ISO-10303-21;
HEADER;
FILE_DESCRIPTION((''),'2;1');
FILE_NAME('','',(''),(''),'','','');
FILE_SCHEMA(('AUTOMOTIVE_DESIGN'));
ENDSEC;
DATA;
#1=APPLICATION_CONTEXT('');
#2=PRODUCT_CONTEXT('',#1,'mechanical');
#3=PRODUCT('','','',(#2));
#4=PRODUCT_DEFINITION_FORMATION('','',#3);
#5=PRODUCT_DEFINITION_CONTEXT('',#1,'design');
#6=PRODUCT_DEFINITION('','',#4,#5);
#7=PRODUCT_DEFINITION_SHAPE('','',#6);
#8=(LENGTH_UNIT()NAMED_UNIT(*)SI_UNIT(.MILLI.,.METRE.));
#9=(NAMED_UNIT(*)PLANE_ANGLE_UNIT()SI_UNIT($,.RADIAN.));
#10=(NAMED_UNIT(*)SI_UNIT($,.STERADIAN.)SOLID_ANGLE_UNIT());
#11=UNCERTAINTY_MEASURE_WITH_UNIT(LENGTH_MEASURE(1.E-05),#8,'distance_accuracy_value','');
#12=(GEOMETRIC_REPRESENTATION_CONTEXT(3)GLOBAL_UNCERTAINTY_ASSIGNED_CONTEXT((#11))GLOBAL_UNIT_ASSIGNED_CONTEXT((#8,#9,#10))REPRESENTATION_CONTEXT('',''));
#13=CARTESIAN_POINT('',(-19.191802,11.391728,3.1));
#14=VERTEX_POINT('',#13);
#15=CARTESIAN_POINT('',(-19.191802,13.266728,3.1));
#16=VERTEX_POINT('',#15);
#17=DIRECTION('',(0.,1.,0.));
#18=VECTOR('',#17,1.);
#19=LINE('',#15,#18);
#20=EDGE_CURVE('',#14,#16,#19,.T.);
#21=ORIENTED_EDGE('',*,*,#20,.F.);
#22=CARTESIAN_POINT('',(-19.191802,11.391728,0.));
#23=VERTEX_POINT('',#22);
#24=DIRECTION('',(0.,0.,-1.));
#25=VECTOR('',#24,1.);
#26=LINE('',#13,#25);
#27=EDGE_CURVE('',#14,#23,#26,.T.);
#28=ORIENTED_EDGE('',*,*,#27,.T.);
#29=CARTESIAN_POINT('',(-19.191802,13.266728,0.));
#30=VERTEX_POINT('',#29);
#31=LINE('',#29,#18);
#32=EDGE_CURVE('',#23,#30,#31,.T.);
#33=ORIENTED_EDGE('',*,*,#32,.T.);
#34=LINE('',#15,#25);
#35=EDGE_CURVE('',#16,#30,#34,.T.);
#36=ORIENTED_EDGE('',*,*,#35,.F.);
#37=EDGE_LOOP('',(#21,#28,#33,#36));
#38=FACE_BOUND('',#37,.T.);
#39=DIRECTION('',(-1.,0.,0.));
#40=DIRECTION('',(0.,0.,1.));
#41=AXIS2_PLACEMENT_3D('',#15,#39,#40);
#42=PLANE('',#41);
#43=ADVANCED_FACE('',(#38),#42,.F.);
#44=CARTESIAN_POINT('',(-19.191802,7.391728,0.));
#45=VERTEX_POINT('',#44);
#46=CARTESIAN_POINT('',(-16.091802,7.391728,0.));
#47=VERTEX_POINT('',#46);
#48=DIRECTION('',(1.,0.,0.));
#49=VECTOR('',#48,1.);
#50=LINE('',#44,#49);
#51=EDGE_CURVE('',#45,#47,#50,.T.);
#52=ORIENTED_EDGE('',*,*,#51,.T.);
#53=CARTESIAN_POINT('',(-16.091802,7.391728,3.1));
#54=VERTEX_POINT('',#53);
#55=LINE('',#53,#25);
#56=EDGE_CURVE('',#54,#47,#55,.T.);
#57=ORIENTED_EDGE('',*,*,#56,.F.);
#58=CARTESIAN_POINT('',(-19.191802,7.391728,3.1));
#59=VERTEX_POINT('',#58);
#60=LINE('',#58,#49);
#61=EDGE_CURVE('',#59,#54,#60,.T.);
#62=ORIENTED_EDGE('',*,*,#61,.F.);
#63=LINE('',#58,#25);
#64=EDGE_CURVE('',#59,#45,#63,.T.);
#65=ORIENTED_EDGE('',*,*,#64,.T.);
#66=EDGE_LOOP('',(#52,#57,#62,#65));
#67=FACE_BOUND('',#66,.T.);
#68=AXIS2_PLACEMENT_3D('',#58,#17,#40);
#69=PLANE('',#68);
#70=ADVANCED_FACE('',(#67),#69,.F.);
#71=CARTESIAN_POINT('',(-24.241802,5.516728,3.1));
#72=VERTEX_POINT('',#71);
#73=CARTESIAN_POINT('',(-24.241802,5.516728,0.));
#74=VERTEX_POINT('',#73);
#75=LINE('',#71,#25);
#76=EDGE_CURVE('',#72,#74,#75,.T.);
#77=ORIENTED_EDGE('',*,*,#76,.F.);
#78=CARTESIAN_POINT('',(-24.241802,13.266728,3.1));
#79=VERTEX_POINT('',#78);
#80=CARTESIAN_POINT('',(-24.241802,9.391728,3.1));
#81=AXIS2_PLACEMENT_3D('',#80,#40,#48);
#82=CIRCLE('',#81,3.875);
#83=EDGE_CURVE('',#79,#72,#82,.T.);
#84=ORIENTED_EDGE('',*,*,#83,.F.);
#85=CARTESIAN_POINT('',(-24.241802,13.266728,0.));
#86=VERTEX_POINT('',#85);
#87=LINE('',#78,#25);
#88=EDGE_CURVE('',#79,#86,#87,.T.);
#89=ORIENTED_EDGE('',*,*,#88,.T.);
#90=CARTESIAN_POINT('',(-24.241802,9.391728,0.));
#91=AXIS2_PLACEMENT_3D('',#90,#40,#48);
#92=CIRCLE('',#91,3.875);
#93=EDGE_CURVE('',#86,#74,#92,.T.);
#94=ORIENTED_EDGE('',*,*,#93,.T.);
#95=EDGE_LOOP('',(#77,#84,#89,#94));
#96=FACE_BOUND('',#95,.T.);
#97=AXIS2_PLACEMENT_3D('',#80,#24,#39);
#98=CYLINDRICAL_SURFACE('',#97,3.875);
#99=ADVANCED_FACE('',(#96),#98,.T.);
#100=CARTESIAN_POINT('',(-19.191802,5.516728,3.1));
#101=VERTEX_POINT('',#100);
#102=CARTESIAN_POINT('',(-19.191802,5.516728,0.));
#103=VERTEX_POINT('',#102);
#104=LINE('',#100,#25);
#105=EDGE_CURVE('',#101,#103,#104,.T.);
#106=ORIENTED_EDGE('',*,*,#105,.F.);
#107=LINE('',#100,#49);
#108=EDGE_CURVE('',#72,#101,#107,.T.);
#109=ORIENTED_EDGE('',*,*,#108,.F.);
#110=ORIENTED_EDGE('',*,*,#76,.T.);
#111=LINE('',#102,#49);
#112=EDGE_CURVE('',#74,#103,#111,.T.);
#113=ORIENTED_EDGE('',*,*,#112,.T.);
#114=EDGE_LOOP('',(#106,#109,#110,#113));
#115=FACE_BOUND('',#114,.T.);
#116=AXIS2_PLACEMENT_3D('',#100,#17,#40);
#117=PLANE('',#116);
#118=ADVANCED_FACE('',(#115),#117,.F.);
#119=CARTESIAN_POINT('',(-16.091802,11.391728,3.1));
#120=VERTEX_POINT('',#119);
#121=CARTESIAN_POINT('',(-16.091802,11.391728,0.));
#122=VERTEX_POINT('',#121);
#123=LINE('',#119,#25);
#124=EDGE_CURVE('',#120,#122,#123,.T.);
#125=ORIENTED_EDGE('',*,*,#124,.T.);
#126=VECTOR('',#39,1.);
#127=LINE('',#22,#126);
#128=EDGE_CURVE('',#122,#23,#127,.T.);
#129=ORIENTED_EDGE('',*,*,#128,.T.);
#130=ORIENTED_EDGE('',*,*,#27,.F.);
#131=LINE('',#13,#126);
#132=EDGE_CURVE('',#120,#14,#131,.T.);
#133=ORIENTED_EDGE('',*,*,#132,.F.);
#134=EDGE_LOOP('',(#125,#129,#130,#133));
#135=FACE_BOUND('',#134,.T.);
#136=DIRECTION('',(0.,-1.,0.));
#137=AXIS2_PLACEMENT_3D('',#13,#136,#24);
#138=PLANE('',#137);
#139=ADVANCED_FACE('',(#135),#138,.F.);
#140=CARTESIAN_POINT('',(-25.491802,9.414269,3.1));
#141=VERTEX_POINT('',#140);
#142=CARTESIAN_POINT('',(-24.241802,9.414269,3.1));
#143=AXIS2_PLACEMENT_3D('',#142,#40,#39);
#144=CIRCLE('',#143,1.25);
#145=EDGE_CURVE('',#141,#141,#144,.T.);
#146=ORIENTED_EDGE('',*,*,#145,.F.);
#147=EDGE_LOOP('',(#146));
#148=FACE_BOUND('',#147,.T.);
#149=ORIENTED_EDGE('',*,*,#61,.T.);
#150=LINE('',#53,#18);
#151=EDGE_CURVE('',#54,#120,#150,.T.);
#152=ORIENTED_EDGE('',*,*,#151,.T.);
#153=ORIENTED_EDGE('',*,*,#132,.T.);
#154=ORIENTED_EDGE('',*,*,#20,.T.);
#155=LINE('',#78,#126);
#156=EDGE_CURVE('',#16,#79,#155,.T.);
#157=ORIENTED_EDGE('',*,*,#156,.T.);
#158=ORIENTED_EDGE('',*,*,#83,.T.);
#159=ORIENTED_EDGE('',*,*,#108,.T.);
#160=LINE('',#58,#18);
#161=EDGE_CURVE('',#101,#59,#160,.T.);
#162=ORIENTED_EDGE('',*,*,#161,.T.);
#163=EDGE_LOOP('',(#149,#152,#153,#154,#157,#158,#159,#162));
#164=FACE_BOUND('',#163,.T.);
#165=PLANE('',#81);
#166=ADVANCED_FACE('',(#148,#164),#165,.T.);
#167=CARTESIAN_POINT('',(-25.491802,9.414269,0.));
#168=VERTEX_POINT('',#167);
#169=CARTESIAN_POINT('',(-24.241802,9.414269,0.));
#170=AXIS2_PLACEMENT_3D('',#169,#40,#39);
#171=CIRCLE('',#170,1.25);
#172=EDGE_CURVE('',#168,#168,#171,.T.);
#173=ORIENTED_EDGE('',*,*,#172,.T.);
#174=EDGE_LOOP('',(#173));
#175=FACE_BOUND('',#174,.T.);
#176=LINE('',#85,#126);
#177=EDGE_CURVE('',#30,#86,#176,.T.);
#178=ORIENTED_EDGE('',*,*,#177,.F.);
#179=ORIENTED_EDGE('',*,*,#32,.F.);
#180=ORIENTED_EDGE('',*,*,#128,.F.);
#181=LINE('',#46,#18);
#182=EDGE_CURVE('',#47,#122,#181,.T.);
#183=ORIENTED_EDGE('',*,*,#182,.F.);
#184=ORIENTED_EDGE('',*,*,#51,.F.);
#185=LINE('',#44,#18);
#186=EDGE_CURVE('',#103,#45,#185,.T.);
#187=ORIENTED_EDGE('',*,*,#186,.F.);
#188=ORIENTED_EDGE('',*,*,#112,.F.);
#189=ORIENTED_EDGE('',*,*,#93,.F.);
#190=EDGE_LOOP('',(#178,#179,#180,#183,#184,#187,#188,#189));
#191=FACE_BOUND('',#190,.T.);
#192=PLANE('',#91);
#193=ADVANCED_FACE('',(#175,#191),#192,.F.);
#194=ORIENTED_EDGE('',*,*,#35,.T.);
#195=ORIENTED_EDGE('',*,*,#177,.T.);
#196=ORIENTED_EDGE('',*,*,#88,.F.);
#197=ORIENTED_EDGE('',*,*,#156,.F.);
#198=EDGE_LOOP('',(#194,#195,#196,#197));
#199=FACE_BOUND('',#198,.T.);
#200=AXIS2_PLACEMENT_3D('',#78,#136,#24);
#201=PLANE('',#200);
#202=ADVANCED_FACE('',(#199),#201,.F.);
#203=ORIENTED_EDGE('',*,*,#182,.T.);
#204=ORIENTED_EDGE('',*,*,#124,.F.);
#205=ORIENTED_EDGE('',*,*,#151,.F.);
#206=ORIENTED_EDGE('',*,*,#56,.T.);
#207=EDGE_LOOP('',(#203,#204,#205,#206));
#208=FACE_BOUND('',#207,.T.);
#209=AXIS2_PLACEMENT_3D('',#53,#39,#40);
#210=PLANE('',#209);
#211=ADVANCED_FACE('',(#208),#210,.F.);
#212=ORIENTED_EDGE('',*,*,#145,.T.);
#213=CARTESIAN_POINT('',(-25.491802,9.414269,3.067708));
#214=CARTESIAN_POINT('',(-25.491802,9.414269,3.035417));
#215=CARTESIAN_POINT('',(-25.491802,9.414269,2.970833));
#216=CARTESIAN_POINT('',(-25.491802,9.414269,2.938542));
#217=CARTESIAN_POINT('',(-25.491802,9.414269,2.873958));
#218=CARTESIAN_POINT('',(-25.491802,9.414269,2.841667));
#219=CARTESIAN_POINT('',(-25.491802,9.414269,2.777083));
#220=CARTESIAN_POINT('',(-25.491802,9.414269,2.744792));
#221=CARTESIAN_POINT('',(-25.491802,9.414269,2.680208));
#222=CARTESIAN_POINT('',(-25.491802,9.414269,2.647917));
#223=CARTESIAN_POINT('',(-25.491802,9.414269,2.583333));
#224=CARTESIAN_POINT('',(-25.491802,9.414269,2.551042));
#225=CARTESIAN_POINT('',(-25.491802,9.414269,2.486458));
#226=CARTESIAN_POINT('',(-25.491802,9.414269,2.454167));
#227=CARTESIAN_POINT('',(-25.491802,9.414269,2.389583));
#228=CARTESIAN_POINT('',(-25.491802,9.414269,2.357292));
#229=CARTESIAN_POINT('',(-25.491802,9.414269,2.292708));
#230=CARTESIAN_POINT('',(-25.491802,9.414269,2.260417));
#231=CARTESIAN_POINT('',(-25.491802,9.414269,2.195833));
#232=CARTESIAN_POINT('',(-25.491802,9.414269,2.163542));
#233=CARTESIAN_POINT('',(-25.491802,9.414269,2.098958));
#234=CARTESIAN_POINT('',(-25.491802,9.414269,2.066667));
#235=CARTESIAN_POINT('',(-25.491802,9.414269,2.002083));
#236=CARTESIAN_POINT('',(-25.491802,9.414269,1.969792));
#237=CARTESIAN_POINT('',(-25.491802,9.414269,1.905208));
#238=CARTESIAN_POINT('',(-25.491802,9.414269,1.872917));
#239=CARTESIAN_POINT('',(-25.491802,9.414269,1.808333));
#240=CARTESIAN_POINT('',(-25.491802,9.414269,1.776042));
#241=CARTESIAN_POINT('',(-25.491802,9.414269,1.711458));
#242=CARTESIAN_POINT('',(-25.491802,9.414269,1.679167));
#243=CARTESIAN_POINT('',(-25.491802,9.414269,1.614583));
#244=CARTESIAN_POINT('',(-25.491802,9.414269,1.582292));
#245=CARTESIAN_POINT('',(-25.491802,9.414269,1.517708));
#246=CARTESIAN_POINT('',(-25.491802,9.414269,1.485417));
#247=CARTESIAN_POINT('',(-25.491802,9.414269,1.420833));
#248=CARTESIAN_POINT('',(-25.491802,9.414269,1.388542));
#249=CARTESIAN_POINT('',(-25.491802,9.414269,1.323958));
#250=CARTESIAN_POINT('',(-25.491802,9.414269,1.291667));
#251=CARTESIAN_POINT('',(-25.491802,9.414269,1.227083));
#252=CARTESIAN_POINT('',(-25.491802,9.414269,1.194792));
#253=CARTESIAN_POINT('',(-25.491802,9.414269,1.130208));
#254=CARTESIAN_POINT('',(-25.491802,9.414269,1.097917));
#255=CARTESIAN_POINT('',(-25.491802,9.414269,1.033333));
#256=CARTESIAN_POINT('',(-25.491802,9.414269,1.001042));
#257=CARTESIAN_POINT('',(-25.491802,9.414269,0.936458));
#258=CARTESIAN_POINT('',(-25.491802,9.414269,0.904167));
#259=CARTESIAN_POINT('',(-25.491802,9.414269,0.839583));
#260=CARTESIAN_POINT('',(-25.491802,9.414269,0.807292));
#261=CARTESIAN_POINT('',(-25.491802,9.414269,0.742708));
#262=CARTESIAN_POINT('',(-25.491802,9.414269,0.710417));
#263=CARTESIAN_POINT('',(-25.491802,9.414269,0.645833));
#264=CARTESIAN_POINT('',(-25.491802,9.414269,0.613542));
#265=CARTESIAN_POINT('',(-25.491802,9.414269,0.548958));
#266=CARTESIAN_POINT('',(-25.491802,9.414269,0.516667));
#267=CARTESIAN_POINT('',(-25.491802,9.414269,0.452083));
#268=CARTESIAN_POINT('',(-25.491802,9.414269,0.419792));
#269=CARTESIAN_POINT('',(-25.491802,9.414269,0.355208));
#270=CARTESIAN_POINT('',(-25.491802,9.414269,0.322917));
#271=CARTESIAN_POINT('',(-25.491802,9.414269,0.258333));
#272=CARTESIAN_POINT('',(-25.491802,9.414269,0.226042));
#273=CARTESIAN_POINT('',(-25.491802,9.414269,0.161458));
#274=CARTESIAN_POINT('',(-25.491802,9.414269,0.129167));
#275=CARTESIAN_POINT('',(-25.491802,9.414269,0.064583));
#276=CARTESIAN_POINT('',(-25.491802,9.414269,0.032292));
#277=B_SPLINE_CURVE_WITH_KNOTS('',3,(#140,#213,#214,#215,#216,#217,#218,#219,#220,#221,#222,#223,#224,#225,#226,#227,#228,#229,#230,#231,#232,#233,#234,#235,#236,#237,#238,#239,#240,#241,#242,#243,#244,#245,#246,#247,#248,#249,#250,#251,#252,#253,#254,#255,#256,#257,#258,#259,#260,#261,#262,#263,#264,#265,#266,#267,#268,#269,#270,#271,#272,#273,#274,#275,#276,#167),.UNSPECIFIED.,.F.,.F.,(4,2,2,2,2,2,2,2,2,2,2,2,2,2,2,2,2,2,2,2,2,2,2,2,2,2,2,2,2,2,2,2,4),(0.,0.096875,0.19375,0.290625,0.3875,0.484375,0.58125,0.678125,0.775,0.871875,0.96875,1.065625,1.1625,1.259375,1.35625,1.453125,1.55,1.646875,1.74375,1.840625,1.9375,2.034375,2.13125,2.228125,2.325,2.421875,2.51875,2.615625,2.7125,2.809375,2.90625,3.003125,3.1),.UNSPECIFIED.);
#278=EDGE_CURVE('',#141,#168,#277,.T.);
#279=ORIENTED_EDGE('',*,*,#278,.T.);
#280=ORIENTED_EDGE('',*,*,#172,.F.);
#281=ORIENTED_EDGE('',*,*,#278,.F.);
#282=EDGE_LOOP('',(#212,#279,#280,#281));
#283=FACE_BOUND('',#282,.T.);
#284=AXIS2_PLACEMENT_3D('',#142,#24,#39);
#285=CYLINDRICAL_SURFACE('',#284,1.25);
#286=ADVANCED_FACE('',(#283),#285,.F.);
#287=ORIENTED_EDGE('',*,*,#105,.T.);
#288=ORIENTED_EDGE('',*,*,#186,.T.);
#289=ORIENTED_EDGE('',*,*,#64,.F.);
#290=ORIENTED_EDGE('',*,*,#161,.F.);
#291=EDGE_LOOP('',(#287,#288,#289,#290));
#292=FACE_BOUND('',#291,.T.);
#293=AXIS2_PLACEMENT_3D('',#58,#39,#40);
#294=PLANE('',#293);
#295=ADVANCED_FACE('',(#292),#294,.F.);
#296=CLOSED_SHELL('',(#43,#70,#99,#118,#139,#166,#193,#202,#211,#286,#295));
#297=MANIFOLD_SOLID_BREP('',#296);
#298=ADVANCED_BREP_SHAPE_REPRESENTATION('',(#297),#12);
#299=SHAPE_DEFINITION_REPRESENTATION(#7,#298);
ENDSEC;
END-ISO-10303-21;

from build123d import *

# Parameters (mm, degrees)
SKETCH1_R      = 1.25
EXTRUDE1_DEPTH = 3.1


with BuildPart() as part:
    # Sketch1 → Extrude1 (new body)
    with BuildSketch(Plane.XY):
        with BuildLine():
            Line((-19.191802054, 13.266728144), (-19.191802054, 11.391728144))
            Line((-19.191802054, 11.391728144), (-16.091802054, 11.391728144))
            Line((-16.091802054, 11.391728144), (-16.091802054, 7.391728144))
            Line((-16.091802054, 7.391728144), (-19.191802054, 7.391728144))
            Line((-19.191802054, 7.391728144), (-19.191802054, 5.516728144))
            Line((-19.191802054, 5.516728144), (-24.241802054, 5.516728144))
            ThreePointArc((-24.241802054, 5.516728144), (-28.116802054, 9.391728144), (-24.241802054, 13.266728144))
            Line((-24.241802054, 13.266728144), (-19.191802054, 13.266728144))
        make_face()
        with Locations(Location((-24.241802054, 9.414269496, 0), (0, 0, 180))):
            Circle(SKETCH1_R, mode=Mode.SUBTRACT)
    extrude(amount=EXTRUDE1_DEPTH)


solid = part.part
